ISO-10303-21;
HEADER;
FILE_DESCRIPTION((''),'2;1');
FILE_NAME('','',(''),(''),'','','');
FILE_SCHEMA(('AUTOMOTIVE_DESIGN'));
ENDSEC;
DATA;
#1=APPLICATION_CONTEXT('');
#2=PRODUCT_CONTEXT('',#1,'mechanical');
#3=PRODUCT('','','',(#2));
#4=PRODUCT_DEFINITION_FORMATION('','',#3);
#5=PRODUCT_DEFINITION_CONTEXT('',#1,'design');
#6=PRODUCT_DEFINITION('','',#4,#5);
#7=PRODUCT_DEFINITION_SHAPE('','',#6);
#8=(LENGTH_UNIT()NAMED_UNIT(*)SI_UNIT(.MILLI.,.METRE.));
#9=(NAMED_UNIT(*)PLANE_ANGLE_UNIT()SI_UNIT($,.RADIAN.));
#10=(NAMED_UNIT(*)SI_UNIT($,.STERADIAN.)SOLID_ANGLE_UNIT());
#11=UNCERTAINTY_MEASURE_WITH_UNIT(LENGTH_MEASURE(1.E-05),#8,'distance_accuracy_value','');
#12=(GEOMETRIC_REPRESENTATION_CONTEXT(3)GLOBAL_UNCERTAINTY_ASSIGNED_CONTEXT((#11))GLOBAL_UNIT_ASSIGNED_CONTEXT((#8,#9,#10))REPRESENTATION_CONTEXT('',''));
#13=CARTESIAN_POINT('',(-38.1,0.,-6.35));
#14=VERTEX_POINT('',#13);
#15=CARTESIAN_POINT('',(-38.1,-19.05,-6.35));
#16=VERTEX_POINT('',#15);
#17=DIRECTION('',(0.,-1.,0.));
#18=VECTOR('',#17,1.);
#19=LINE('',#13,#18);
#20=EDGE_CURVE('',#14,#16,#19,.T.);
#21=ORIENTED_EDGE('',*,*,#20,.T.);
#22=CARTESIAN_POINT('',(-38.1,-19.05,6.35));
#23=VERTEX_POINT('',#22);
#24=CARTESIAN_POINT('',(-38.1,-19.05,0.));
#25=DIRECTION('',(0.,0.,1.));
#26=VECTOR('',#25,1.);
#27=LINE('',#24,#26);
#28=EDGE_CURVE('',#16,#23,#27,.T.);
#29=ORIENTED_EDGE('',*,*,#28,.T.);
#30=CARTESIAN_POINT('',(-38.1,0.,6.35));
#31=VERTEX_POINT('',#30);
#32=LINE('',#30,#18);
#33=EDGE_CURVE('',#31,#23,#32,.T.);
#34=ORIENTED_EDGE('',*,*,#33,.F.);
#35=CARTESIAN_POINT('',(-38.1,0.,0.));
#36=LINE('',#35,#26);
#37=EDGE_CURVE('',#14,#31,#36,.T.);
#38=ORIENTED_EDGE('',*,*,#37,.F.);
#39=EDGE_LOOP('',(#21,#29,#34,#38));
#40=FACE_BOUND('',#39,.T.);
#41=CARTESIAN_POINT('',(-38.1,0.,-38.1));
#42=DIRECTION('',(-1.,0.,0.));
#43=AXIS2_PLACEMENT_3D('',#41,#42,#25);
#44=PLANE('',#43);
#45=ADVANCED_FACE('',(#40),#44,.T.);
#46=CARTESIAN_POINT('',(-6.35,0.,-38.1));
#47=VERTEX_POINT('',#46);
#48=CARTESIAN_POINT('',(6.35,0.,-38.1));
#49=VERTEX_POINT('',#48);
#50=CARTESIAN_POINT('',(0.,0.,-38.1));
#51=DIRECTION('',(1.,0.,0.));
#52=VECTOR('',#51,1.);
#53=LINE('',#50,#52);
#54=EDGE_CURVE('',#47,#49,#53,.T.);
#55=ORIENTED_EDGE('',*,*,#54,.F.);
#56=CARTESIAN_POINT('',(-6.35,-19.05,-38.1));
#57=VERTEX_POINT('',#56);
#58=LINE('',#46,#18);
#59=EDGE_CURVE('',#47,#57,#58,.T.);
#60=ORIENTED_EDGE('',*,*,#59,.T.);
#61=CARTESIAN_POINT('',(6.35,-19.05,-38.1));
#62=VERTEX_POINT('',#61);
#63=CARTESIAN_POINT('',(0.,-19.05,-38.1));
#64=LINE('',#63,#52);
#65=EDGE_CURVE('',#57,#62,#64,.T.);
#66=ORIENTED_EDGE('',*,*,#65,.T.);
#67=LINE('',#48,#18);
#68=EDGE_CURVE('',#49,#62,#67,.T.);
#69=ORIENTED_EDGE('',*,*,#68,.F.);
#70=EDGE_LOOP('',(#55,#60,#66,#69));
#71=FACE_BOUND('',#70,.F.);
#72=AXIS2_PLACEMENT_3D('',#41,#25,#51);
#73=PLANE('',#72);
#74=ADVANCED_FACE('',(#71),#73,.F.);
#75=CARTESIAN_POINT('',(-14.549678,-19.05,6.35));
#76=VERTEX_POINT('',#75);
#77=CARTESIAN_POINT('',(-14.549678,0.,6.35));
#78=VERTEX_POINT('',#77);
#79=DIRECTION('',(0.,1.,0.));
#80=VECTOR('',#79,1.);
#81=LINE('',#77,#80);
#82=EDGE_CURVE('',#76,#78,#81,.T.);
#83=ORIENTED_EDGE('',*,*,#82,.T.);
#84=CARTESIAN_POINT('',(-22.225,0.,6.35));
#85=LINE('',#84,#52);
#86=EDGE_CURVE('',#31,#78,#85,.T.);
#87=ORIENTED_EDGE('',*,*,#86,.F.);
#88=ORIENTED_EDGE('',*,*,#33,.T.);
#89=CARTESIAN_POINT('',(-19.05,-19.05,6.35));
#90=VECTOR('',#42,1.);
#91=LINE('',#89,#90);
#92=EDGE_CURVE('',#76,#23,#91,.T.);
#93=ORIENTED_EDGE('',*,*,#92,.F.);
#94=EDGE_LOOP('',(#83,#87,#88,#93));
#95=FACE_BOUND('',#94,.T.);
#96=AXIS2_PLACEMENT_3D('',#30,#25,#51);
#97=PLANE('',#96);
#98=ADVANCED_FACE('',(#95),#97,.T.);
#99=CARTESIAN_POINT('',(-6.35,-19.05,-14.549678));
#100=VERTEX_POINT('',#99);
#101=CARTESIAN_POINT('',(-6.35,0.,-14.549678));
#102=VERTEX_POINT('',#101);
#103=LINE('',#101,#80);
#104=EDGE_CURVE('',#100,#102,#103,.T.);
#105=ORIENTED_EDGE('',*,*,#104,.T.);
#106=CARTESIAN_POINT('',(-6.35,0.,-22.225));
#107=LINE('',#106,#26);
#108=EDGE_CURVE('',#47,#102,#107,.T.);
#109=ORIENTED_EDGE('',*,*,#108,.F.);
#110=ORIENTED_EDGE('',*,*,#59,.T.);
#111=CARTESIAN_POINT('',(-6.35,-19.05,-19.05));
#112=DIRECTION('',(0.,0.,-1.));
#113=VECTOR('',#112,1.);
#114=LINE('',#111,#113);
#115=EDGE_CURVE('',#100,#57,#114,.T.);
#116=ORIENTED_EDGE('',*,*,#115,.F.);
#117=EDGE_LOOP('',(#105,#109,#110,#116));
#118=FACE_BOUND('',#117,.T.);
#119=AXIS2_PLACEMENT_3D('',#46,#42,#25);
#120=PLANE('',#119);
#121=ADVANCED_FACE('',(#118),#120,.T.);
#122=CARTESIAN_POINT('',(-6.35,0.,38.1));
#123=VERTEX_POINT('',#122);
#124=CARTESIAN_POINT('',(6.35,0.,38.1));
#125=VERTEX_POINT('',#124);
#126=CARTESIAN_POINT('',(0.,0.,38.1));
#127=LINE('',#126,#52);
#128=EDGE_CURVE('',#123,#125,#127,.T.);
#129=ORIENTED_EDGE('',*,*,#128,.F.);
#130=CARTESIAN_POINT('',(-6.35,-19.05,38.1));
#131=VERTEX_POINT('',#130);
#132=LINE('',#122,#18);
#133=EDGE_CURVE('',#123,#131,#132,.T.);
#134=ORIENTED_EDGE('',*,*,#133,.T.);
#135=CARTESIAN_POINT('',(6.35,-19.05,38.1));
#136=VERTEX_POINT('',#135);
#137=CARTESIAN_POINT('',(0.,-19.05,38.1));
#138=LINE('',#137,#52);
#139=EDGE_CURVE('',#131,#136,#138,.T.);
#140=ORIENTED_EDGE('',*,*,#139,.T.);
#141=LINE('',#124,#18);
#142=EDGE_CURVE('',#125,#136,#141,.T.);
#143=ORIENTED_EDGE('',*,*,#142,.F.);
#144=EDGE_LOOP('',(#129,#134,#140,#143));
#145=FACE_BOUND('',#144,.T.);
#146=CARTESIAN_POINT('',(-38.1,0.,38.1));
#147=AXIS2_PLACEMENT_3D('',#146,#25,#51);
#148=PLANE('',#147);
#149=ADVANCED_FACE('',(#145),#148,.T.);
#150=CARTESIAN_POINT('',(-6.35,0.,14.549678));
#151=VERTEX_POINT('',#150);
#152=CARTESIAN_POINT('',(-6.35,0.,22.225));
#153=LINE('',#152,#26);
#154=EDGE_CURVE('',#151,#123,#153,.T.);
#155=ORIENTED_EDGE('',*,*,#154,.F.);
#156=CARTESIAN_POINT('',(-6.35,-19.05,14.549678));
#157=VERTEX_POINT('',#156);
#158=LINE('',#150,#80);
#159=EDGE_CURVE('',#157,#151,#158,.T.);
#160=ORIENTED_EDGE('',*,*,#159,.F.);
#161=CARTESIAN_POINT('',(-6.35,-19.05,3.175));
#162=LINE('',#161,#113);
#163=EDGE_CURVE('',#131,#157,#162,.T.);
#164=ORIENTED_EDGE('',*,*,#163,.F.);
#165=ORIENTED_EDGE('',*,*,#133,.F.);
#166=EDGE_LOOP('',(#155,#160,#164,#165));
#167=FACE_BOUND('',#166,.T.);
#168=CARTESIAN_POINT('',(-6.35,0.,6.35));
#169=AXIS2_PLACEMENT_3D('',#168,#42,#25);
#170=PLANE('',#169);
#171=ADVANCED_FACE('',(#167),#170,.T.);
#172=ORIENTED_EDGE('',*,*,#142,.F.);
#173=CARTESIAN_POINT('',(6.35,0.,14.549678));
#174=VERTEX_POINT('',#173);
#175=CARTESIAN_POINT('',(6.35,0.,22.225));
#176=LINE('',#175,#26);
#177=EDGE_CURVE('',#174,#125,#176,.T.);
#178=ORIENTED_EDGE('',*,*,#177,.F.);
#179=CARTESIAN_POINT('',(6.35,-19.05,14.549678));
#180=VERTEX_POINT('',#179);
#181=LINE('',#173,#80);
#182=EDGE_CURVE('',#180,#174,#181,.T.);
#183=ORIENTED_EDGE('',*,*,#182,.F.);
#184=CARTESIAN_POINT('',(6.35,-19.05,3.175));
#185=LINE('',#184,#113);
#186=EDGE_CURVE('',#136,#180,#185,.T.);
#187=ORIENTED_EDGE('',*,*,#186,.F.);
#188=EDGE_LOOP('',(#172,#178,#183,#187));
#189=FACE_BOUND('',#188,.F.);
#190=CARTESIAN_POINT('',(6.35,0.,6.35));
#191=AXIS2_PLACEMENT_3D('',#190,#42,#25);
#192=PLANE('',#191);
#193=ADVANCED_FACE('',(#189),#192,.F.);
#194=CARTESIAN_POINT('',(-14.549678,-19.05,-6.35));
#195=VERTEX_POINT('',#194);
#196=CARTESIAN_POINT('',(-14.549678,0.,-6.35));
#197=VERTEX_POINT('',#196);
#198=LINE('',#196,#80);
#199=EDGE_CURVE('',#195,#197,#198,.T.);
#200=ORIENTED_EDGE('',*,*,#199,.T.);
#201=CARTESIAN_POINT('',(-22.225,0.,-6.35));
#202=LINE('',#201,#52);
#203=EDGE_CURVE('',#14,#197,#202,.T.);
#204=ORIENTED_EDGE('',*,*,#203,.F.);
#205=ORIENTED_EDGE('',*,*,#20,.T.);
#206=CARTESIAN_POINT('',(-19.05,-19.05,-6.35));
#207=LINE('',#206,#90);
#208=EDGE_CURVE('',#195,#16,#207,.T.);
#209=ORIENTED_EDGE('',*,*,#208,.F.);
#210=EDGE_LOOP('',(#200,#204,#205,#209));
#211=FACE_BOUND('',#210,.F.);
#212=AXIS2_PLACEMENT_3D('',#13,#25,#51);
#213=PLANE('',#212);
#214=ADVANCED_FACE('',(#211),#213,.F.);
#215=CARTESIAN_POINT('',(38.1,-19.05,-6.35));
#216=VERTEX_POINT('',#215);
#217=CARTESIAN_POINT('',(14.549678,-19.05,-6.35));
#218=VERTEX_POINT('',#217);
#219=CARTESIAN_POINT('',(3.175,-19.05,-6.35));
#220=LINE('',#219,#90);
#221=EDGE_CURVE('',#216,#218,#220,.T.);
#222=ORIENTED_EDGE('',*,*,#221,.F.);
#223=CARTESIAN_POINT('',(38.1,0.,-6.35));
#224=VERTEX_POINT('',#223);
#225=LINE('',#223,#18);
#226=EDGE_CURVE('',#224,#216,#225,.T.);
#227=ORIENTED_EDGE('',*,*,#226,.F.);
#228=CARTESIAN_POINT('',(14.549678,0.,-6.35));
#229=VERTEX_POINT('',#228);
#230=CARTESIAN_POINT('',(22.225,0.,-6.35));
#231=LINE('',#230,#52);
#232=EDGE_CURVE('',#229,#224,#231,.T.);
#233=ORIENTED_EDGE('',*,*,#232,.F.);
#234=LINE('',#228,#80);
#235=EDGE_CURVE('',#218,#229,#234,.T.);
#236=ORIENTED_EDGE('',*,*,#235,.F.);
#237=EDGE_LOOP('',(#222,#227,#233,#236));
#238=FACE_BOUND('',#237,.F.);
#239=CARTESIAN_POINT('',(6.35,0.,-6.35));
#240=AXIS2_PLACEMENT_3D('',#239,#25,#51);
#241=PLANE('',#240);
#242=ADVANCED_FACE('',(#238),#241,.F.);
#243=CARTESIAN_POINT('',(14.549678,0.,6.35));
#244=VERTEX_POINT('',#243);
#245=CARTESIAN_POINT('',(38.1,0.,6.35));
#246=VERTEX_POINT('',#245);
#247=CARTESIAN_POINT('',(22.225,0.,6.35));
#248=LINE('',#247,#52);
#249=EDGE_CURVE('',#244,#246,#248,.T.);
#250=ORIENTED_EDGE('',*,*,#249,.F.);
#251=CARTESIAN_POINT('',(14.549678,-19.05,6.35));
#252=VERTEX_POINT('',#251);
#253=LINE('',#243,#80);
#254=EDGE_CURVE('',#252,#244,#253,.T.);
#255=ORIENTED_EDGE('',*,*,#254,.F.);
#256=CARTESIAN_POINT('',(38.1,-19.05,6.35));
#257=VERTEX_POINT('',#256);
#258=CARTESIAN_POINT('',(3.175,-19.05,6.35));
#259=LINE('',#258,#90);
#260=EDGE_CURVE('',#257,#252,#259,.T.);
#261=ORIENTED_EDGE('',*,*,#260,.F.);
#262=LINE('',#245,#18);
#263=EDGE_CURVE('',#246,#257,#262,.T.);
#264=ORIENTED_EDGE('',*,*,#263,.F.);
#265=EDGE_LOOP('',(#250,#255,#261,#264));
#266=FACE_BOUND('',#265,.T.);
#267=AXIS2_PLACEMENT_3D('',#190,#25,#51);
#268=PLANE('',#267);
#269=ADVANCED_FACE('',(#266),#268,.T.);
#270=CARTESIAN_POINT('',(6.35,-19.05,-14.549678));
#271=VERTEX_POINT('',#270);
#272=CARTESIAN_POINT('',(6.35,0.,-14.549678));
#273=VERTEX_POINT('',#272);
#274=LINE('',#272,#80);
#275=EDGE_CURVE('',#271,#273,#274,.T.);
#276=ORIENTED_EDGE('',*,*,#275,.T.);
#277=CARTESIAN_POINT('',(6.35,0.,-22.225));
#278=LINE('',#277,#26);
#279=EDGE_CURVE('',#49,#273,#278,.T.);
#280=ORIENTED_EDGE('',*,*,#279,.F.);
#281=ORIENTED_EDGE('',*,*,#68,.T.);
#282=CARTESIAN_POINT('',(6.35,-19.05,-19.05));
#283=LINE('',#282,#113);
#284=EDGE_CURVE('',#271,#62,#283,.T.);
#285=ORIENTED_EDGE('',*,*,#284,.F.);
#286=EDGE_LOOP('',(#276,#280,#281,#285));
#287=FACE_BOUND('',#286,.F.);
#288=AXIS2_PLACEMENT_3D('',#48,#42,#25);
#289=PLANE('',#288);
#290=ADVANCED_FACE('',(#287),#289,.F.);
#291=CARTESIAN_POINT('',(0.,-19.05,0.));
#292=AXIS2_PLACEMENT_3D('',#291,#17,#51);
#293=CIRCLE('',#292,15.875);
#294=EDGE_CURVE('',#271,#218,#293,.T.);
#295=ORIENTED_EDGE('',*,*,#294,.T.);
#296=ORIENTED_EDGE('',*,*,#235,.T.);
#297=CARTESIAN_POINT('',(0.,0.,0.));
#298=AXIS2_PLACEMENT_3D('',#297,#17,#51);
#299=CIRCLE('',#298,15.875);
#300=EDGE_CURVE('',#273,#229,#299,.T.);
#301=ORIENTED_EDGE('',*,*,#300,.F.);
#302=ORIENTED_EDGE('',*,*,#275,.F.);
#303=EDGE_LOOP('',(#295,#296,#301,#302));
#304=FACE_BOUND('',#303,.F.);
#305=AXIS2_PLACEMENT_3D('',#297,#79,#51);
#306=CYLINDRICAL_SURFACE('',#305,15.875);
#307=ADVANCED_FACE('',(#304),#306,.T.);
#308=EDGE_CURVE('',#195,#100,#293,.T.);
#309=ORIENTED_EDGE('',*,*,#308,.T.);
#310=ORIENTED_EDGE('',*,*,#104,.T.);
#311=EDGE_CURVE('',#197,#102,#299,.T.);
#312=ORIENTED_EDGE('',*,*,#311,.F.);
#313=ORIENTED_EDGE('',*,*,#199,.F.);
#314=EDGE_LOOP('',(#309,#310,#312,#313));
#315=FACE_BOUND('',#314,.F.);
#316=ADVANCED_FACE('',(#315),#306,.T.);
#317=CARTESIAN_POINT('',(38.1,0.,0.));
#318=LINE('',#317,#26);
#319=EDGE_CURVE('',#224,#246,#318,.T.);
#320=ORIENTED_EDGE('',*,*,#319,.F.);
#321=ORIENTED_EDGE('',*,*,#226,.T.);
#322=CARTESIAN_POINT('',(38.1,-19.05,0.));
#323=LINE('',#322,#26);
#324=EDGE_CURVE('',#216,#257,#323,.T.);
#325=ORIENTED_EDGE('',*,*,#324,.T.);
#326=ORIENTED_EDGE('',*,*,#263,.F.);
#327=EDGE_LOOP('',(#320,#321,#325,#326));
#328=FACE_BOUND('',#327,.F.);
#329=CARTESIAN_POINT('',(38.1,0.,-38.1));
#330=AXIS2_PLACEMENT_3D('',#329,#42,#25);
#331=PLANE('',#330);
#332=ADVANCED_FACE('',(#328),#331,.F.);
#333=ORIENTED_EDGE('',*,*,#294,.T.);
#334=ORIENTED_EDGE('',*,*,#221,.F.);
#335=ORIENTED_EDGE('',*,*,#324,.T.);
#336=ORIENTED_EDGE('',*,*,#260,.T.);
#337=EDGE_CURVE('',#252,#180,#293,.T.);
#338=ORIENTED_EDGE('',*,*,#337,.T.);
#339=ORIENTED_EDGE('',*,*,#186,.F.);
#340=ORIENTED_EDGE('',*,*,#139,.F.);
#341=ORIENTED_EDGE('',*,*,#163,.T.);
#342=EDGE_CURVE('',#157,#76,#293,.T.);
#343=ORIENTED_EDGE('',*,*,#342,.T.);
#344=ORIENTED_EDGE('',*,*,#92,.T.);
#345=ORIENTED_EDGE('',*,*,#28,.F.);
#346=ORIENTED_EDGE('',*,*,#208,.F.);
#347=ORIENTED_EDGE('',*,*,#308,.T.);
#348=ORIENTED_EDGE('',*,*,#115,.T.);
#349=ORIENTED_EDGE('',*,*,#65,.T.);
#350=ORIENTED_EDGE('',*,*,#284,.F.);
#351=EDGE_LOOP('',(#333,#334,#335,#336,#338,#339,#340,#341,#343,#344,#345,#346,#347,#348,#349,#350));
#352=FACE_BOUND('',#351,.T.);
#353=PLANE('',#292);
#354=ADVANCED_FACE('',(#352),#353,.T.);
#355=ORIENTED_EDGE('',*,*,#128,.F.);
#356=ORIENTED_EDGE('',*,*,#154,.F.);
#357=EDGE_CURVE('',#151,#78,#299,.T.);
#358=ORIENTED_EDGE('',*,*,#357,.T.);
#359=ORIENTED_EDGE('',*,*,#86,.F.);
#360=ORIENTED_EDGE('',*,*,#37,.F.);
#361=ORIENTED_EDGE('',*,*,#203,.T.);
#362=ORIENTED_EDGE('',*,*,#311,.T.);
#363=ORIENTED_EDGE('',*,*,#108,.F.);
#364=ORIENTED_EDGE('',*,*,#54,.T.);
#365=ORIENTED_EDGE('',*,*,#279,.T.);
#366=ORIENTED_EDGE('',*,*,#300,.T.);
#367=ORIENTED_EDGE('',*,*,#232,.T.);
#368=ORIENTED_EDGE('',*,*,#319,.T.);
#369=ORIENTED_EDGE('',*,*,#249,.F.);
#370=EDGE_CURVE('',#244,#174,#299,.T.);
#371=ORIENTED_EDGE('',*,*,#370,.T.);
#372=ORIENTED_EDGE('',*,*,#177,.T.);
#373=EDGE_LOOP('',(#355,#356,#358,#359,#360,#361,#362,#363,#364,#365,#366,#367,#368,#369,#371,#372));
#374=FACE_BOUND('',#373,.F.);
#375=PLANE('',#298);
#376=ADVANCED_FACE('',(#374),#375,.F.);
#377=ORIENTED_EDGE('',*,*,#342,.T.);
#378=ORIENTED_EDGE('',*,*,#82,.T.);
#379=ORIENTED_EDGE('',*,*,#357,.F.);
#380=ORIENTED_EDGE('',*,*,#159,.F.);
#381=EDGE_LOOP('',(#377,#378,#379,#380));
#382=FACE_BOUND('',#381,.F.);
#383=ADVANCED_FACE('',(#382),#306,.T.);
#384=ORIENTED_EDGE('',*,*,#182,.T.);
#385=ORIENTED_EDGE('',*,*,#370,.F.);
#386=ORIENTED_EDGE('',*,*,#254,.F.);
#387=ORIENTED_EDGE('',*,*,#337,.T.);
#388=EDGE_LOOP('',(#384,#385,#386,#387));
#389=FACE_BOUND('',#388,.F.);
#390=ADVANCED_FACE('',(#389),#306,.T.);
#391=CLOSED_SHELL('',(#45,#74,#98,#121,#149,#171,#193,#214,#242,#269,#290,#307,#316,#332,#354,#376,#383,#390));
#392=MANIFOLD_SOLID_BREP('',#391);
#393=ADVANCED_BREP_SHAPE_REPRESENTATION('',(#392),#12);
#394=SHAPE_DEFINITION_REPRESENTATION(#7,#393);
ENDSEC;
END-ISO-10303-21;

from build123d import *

# Parameters (mm, degrees)
F0_W     = 76.2
F0_H     = 76.2
F2_DEPTH = 19.05
F1_W     = 31.75
F1_H     = 31.75
F3_DEPTH = 19.051
F4_R     = 15.875
F5_DEPTH = 19.05


with BuildPart() as f2:
    # F0 (on Front) → F2 (new body)
    with BuildSketch(Plane.XZ):
        Rectangle(F0_W, F0_H)
    extrude(amount=F2_DEPTH)

    # F1 (on Front) → F3 (cut, through all)
    with BuildSketch(Plane.XZ):
        with Locations((-22.225, 22.225)):
            Rectangle(F1_W, F1_H)
        with Locations((-22.225, -22.225)):
            Rectangle(F1_W, F1_H)
        with Locations((22.225, -22.225)):
            Rectangle(F1_W, F1_H)
        with Locations((22.225, 22.225)):
            Rectangle(F1_W, F1_H)
    extrude(amount=F3_DEPTH, mode=Mode.SUBTRACT)

    # F4 (on Front) → F5 (join)
    with BuildSketch(Plane.XZ):
        Circle(F4_R)
    extrude(amount=F5_DEPTH)


solid = f2.part
